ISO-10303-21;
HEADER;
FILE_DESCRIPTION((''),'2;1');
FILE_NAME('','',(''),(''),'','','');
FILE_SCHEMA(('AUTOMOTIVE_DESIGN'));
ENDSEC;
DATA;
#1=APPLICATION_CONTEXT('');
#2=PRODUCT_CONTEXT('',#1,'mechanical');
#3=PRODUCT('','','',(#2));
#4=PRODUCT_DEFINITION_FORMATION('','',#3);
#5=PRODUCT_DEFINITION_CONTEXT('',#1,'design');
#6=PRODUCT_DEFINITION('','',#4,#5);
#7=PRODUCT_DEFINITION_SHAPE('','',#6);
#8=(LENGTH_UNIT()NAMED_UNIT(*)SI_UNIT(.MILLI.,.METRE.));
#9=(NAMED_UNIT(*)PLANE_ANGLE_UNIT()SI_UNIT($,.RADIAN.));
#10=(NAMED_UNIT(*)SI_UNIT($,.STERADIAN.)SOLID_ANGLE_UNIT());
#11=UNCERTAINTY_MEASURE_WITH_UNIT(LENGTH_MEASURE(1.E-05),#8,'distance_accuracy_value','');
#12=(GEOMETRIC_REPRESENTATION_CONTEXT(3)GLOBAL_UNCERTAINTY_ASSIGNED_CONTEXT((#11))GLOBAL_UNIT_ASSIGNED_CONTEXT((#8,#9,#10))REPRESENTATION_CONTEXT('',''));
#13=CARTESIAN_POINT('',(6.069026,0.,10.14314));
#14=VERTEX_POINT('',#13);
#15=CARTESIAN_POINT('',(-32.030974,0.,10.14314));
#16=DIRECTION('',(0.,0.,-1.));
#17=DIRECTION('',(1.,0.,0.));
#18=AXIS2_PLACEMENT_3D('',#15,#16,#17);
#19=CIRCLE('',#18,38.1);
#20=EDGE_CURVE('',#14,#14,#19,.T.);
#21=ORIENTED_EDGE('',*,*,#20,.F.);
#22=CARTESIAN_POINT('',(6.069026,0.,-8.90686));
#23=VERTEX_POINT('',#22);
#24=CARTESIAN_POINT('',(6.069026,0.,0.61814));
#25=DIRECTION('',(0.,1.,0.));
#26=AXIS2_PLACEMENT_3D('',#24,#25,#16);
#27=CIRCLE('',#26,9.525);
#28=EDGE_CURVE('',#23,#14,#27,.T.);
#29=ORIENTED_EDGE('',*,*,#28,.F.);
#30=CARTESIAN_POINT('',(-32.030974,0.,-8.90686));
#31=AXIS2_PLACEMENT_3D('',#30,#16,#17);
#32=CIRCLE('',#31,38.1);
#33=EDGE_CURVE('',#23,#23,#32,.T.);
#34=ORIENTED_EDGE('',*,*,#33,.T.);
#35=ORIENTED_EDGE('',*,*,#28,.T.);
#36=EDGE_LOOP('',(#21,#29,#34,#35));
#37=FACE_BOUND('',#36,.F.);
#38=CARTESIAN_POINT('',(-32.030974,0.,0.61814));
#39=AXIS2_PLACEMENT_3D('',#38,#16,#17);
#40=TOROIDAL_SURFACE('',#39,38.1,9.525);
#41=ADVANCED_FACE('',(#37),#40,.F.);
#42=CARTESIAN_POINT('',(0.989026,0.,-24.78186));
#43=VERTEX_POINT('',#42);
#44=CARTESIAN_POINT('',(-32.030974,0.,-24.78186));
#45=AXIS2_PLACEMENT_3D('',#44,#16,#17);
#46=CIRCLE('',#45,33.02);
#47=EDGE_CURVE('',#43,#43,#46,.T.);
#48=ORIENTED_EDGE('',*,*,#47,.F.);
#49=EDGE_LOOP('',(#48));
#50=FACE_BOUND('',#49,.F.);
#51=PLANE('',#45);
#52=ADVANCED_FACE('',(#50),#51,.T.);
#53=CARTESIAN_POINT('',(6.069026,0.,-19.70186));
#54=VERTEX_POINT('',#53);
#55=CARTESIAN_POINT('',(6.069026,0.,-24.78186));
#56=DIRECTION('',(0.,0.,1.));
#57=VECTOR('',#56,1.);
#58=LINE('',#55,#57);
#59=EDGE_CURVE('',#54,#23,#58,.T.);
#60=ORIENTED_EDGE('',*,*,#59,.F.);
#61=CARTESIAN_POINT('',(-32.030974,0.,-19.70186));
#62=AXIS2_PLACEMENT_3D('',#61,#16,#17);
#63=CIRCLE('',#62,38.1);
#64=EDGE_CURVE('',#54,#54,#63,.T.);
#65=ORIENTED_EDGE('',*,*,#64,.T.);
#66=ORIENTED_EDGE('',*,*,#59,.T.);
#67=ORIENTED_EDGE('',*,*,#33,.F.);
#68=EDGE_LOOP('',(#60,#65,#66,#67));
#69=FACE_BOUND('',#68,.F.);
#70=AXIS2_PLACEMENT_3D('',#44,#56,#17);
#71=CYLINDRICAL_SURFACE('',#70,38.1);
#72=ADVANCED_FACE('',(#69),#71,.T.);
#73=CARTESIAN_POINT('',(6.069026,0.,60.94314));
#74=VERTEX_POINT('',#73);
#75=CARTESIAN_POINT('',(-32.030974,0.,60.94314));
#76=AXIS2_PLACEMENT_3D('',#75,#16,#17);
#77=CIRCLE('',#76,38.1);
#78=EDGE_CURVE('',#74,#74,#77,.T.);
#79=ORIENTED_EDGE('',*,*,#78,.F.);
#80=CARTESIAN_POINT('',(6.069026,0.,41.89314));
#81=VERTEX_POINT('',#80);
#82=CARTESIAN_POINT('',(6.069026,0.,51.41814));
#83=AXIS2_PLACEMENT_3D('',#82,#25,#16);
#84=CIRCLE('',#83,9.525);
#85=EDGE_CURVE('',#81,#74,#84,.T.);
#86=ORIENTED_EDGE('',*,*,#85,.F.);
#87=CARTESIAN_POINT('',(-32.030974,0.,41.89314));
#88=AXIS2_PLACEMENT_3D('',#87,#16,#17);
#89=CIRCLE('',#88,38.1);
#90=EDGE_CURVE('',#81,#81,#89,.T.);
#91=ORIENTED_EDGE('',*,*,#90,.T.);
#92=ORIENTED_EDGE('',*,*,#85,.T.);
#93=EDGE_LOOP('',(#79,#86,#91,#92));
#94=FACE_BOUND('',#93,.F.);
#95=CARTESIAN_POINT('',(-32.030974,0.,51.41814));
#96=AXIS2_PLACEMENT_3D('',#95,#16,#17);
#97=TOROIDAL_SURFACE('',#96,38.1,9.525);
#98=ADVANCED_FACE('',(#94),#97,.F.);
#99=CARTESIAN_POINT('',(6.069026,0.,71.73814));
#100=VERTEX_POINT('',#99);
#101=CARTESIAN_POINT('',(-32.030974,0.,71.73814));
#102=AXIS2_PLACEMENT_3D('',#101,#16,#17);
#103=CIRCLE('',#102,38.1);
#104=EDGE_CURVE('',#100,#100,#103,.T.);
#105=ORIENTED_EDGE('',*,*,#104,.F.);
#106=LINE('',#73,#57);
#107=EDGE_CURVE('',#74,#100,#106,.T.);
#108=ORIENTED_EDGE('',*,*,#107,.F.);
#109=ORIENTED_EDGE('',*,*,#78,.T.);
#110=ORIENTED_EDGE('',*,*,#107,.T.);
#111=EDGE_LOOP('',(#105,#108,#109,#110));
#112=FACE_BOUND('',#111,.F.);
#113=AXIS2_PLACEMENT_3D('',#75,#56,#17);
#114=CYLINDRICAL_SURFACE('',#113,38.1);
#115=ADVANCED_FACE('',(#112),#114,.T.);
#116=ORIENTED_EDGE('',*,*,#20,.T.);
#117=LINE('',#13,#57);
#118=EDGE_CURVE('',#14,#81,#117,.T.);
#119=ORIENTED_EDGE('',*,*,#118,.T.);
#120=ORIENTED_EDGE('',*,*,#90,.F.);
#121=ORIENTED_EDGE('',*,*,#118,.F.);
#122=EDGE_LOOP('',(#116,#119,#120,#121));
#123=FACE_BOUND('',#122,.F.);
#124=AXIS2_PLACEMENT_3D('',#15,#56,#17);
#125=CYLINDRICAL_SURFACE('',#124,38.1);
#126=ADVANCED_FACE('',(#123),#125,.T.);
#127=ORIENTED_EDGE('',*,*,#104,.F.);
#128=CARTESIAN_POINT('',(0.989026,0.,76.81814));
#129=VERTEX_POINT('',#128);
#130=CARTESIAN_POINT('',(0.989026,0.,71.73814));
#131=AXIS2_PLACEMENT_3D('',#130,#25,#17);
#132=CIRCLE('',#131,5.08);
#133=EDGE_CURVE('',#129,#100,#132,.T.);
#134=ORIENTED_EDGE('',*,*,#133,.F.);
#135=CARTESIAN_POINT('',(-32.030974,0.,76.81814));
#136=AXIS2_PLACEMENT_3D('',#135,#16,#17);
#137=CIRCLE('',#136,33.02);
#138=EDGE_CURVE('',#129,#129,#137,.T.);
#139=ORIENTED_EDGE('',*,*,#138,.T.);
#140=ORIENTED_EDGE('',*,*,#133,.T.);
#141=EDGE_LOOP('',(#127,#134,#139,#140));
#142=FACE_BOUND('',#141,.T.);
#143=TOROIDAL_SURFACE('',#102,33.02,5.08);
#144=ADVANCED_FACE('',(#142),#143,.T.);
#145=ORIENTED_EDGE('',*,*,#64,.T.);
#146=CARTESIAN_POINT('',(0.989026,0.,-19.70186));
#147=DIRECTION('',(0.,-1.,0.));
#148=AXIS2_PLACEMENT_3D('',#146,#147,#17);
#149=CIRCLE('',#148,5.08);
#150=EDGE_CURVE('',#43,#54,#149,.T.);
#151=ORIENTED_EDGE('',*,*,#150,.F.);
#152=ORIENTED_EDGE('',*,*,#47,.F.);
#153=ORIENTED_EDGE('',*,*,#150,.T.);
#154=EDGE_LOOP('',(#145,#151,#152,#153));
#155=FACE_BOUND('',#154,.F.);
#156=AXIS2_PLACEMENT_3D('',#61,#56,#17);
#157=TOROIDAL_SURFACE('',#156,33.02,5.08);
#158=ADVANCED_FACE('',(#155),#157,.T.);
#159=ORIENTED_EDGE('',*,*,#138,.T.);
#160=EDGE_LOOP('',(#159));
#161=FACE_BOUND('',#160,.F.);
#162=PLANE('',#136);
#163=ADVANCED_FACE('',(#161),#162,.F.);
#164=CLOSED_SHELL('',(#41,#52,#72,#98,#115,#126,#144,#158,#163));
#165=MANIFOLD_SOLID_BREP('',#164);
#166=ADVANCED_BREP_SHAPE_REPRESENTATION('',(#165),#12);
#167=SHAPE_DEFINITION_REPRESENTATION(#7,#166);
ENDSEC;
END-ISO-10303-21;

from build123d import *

# Parameters (mm, degrees)
F2_R = 5.08


with BuildPart() as f1:
    # F0 (on Front) → F1 (revolve)
    with BuildSketch(Plane.XZ):
        with BuildLine():
            Line((6.0690259561, 76.8181395888), (-32.0309740439, 76.8181395888))
            Line((-32.0309740439, 76.8181395888), (-32.0309740439, -24.7818604112))
            Line((-32.0309740439, -24.7818604112), (6.0690259561, -24.7818604112))
            Line((6.0690259561, -24.7818604112), (6.0690259561, -8.9068604112))
            ThreePointArc((6.0690259561, -8.9068604112), (-3.4559740439, 0.6181395888), (6.0690259561, 10.1431395888))
            Line((6.0690259561, 10.1431395888), (6.0690259561, 41.8931395888))
            ThreePointArc((6.0690259561, 41.8931395888), (-3.4559740439, 51.4181395888), (6.0690259561, 60.9431395888))
            Line((6.0690259561, 60.9431395888), (6.0690259561, 76.8181395888))
        make_face()
    revolve(axis=Axis((-32.0309740439, 0, 26.0181395888), (0, 0, -1)))

    # F2
    f2_edges = [f1.edges().sort_by_distance(p)[0] for p in [
        (-70.130974, 0, 76.81814),
        (-70.130974, 0, -24.78186),
    ]]
    fillet(f2_edges, radius=F2_R)


solid = f1.part
